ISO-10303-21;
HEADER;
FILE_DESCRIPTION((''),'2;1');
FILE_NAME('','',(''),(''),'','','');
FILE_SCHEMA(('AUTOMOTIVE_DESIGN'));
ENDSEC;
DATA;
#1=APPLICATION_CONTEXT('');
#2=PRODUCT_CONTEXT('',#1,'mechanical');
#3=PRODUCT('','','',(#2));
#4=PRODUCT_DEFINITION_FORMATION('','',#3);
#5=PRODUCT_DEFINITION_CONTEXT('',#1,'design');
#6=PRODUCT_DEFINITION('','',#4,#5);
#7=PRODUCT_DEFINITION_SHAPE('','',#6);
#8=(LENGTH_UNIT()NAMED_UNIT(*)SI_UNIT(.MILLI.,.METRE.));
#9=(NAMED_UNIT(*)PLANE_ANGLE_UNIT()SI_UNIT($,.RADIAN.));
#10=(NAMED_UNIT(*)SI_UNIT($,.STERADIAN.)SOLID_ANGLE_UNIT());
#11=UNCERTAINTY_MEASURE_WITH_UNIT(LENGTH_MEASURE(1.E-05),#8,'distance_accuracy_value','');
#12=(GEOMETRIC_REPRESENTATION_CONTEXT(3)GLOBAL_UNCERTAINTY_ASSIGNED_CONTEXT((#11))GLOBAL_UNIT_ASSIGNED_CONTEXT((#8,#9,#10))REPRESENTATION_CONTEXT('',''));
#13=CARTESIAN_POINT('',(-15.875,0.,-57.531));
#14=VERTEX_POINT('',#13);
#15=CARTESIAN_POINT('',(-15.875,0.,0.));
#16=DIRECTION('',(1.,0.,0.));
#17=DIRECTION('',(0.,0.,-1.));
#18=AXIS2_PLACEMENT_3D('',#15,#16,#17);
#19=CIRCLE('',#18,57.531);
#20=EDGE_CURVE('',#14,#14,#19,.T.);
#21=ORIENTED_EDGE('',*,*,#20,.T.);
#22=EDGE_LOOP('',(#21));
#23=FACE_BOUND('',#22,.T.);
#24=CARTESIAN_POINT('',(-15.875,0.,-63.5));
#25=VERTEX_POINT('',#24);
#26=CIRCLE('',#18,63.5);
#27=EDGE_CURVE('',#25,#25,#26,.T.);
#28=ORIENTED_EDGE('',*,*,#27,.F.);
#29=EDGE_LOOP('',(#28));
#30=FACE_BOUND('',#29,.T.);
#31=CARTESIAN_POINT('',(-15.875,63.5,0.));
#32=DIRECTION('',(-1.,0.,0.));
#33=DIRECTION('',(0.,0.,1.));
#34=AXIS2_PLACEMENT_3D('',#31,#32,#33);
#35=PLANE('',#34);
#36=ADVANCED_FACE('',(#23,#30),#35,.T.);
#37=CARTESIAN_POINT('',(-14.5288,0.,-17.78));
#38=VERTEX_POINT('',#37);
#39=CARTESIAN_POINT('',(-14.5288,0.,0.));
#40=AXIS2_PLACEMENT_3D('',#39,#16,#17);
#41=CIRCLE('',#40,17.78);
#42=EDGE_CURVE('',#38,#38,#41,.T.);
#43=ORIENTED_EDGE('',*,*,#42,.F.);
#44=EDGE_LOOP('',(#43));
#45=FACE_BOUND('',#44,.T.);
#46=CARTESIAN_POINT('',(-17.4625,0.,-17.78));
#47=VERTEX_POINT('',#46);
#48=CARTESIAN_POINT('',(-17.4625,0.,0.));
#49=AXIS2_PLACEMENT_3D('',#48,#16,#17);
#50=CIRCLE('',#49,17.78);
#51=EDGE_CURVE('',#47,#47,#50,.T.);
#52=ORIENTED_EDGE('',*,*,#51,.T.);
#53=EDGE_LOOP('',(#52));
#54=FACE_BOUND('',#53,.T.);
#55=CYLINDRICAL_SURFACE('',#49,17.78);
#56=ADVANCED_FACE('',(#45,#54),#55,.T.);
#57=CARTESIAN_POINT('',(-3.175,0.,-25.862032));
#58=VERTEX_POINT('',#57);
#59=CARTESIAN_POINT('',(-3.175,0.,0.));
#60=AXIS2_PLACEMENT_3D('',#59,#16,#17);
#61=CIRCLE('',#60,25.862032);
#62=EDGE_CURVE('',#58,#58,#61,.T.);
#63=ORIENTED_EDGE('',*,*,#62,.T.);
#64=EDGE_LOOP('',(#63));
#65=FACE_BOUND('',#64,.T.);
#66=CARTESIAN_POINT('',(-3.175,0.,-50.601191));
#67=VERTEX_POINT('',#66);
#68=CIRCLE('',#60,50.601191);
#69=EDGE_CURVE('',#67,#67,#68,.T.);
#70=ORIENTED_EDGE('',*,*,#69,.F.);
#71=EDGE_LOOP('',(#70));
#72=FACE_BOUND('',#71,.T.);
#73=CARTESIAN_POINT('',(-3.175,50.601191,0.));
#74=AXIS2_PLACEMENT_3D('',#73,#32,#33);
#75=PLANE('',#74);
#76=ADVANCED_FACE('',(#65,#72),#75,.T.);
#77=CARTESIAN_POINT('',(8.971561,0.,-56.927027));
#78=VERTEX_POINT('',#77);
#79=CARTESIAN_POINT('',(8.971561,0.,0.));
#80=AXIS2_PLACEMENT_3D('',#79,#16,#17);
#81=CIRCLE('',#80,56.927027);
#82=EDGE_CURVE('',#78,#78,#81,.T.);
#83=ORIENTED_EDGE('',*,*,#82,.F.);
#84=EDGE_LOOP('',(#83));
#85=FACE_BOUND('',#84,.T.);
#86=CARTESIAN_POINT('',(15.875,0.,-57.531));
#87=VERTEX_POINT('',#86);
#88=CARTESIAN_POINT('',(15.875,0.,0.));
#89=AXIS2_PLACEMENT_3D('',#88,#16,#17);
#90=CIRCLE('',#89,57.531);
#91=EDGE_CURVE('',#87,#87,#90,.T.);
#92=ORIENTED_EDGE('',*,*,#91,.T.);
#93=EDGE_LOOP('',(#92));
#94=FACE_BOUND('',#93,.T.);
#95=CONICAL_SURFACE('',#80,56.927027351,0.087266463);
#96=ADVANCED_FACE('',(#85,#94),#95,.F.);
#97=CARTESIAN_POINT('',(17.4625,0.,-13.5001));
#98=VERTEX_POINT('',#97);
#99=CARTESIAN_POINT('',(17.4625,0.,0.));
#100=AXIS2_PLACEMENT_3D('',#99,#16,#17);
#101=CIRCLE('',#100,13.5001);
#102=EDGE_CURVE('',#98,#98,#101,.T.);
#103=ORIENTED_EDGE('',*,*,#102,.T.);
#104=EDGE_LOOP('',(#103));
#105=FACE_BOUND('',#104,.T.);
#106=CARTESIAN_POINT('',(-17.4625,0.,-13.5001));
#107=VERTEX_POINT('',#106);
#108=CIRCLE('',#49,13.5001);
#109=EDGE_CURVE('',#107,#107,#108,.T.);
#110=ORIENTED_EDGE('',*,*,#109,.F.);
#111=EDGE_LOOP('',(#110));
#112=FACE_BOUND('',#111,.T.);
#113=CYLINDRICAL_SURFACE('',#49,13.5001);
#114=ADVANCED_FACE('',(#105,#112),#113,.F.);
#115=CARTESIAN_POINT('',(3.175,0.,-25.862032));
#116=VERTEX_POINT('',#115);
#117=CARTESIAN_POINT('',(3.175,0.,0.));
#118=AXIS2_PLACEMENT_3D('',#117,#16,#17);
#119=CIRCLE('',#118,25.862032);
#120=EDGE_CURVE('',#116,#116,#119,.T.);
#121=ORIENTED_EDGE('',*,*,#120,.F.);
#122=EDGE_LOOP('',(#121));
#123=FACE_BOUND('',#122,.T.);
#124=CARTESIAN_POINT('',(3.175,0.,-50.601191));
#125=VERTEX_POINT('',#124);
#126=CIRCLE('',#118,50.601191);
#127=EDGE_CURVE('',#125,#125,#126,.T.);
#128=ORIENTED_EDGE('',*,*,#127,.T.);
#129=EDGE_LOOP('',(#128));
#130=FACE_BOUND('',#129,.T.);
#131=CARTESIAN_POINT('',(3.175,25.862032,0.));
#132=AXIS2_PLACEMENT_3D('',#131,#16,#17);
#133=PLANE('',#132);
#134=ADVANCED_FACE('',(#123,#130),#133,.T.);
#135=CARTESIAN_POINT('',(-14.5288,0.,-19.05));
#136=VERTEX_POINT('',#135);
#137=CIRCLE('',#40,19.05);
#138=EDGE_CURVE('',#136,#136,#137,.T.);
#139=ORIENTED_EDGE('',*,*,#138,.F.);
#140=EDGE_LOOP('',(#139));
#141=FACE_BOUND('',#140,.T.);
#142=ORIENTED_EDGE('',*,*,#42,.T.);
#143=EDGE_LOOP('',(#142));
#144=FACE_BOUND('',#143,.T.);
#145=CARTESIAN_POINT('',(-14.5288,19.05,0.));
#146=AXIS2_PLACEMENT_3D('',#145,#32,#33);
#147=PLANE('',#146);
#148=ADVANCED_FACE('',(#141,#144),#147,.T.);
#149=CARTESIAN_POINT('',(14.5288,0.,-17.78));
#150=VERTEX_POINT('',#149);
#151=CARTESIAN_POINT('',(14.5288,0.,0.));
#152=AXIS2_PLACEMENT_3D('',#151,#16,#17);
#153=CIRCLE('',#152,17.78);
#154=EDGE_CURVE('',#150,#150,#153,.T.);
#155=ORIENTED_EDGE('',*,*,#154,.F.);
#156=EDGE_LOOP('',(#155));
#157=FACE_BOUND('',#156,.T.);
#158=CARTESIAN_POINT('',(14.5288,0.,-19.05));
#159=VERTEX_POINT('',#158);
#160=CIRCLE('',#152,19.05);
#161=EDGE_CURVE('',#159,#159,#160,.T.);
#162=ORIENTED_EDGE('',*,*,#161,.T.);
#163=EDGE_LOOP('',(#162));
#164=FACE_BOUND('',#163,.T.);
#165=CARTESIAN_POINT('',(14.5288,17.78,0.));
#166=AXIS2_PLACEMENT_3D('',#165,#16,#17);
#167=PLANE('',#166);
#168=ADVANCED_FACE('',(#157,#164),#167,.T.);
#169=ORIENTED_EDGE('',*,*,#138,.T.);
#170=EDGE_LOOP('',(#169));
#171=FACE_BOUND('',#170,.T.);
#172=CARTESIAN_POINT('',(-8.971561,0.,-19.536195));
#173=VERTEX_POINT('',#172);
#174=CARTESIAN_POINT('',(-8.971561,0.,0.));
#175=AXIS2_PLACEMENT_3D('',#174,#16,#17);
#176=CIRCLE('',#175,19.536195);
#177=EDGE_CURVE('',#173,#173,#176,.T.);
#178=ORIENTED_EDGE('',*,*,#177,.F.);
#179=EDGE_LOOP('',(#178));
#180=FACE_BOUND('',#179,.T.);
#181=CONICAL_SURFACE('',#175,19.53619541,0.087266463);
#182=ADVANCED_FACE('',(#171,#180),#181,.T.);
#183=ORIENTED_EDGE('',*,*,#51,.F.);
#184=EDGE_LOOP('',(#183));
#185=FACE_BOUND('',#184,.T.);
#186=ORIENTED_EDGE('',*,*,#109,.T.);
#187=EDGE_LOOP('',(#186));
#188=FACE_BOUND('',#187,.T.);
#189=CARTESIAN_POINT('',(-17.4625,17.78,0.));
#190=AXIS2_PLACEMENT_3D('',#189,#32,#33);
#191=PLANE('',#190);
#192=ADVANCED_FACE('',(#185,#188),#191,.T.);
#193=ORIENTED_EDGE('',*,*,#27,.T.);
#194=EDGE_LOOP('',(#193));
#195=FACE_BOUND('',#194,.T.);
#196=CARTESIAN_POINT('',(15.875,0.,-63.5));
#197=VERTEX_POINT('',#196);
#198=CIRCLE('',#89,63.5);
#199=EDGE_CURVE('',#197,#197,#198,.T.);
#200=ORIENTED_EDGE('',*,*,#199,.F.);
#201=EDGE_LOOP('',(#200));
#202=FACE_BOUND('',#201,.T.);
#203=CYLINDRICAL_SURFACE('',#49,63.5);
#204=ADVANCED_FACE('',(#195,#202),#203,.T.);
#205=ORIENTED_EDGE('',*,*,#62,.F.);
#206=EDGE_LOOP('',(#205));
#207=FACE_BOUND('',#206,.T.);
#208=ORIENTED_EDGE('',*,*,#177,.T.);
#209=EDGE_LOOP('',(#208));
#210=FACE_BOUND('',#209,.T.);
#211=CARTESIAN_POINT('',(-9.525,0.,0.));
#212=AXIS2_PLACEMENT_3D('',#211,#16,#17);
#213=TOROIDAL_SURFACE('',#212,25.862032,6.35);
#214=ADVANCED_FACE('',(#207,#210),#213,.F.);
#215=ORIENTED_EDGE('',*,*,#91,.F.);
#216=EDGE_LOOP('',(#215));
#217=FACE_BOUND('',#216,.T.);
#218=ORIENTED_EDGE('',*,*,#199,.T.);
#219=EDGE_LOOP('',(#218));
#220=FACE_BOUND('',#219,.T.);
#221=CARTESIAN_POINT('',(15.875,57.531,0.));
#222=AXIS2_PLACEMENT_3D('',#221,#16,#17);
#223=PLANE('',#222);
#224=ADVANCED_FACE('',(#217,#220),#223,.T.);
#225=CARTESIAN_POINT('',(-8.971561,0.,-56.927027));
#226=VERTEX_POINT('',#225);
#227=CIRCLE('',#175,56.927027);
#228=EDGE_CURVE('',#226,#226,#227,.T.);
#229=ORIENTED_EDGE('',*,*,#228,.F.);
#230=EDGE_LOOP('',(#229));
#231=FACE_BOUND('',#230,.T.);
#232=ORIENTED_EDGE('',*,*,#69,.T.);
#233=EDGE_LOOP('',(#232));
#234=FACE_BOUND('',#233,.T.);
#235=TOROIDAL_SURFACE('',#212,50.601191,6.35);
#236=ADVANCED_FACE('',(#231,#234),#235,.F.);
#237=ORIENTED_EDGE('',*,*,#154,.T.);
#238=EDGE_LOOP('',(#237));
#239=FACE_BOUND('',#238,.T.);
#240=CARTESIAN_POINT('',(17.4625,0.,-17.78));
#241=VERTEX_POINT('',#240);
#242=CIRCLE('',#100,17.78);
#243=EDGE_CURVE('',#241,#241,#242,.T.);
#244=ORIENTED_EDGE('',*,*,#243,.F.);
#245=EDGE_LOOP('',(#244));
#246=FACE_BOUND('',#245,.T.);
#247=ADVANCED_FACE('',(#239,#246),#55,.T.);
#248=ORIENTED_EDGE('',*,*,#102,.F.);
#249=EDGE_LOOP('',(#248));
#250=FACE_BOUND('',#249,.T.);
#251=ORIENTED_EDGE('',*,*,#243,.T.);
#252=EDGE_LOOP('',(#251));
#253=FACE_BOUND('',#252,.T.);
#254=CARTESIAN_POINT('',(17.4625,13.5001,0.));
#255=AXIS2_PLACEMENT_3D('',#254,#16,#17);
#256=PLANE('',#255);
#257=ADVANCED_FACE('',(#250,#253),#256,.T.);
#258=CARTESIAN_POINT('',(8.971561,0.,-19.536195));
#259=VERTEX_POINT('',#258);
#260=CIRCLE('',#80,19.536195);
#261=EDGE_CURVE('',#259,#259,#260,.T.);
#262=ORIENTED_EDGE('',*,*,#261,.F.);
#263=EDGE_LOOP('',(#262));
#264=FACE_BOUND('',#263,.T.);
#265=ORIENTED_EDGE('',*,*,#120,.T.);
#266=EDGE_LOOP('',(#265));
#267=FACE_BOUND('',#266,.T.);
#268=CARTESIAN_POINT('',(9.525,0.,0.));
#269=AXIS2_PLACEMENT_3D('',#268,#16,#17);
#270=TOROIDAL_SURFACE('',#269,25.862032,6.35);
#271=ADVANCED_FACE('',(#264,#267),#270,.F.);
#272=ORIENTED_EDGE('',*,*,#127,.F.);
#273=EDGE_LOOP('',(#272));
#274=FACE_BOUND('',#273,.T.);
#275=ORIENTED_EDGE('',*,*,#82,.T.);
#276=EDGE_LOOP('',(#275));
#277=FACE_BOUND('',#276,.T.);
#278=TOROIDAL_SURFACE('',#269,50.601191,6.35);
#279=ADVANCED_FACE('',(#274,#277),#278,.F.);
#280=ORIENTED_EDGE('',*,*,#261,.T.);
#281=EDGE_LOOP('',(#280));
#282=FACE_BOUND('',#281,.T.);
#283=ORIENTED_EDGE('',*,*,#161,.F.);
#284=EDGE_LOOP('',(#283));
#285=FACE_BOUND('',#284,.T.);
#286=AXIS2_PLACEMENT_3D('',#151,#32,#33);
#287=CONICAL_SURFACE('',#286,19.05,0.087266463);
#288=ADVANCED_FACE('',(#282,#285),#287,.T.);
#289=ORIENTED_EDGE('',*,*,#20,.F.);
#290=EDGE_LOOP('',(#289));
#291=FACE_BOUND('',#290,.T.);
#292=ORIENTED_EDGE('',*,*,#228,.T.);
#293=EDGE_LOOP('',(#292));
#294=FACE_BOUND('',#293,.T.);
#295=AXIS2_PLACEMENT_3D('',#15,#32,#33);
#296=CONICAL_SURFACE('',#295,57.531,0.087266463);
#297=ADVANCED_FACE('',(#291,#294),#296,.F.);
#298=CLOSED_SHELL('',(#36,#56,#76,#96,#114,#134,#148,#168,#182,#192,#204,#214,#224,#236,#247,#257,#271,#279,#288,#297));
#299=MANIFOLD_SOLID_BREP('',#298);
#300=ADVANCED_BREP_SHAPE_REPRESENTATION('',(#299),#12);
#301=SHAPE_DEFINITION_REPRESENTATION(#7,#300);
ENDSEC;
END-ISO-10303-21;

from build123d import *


with BuildPart() as part:
    # Esboço1 → Revolução1 (revolve)
    with BuildSketch(Plane.XY, mode=Mode.PRIVATE) as revolu_o1_sk:
        with BuildLine():
            Line((-14.5288, 17.78), (-17.4625, 17.78))
            Line((-17.4625, 17.78), (-17.4625, 13.5001))
            Line((-17.4625, 13.5001), (17.4625, 13.5001))
            Line((17.4625, 13.5001), (17.4625, 17.78))
            Line((17.4625, 17.78), (14.5288, 17.78))
            Line((14.5288, 17.78), (14.5288, 19.05))
            Line((14.5288, 19.05), (8.971561034, 19.53619541))
            ThreePointArc((8.971561034, 19.53619541), (4.843288911, 21.572033925), (3.175, 25.862031743))
            Line((3.175, 25.862031743), (3.175, 50.601191018))
            ThreePointArc((3.175, 50.601191018), (4.843288911, 54.891188837), (8.971561034, 56.927027351))
            Line((8.971561034, 56.927027351), (15.875, 57.531))
            Line((15.875, 57.531), (15.875, 63.5))
            Line((15.875, 63.5), (-15.875, 63.5))
            Line((-15.875, 63.5), (-15.875, 57.531))
            Line((-15.875, 57.531), (-8.971561034, 56.927027351))
            ThreePointArc((-8.971561034, 56.927027351), (-4.843288911, 54.891188837), (-3.175, 50.601191018))
            Line((-3.175, 50.601191018), (-3.175, 25.862031743))
            ThreePointArc((-3.175, 25.862031743), (-4.843288911, 21.572033925), (-8.971561034, 19.53619541))
            Line((-8.971561034, 19.53619541), (-14.5288, 19.05))
            Line((-14.5288, 19.05), (-14.5288, 17.78))
        make_face()
    revolve(revolu_o1_sk.sketch.rotate(Axis((-17.4625, 0, 0), (1, 0, 0)), 270), axis=Axis((-17.4625, 0, 0), (1, 0, 0)))


solid = part.part
